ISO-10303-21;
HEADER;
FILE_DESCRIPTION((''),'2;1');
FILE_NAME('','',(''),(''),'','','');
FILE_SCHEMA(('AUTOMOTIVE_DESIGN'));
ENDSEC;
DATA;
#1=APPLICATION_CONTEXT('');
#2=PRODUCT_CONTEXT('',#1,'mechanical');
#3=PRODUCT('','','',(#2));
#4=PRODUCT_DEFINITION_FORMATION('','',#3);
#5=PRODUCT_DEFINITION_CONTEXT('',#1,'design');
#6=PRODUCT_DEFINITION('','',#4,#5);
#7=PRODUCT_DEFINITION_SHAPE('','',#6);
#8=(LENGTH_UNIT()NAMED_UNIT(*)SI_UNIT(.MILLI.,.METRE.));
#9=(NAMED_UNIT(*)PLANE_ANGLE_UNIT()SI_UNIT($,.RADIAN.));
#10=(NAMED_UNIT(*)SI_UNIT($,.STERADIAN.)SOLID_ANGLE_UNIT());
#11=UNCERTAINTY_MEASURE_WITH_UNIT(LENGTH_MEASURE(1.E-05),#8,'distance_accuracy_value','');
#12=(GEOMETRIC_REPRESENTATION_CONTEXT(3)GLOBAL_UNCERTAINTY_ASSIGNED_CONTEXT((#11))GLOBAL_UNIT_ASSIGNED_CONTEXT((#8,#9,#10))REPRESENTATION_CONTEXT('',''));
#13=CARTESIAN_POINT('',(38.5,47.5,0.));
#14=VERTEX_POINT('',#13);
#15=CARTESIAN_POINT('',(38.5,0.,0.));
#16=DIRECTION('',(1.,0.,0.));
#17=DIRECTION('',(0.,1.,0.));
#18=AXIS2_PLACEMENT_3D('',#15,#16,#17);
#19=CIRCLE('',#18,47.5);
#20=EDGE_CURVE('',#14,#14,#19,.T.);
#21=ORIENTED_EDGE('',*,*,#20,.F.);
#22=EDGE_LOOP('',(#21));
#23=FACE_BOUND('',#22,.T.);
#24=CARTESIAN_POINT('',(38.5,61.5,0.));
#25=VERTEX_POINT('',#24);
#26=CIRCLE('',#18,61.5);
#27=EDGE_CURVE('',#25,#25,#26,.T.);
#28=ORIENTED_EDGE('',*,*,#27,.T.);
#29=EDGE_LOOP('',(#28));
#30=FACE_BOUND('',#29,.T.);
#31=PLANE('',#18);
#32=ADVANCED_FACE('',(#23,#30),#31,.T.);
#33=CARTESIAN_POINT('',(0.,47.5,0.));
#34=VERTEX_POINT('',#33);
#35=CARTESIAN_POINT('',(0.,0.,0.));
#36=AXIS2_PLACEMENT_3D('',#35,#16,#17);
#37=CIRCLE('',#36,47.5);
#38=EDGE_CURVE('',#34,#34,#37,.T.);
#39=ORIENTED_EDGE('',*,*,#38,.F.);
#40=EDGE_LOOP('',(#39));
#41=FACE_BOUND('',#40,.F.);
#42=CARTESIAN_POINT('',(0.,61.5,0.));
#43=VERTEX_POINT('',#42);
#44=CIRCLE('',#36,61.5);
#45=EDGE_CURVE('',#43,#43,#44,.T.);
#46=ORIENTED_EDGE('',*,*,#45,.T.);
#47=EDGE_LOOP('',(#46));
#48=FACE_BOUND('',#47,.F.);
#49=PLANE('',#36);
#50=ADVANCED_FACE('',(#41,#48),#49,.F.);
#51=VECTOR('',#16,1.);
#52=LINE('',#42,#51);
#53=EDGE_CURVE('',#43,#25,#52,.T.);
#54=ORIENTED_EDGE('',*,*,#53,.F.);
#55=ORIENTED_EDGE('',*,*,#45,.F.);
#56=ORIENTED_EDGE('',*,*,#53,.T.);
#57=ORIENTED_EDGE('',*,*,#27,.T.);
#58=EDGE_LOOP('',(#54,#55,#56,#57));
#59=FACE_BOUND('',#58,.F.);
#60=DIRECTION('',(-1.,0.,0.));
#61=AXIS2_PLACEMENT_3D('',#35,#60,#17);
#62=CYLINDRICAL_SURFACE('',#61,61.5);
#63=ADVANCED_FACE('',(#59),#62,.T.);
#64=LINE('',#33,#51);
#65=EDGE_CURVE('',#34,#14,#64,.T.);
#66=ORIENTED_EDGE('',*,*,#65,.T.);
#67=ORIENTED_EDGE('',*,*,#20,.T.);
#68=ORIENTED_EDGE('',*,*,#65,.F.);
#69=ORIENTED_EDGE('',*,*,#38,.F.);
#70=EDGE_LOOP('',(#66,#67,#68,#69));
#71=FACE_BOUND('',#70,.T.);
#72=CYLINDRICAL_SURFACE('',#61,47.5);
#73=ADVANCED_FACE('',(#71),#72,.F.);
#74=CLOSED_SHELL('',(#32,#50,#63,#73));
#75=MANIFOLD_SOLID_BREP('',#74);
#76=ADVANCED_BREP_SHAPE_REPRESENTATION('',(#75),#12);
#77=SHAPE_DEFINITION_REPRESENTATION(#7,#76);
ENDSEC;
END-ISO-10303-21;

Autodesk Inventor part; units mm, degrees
ref_plane "YZ Plane" through (0, 0, 0) normal (1, 0, 0) x (0, 1, 0)
ref_plane "XZ Plane" through (0, 0, 0) normal (0, 1, 0) x (-1, 0, 0)
ref_plane "XY Plane" through (0, 0, 0) normal (0, 0, 1) x (1, 0, 0)
sketch "Sketch1" plane through (0, 0, 0) normal (1, 0, 0) x (0, 1, 0)
  circle A0 centre (0, 0) radius 61.5
  circle A1 centre (0, 0) radius 47.5
  dimension "d0" = 123
  dimension "d3" = 14
extrude "Extrusion1" add sketch "Sketch1" along normal blind 38.5
properties part number "Wheel_rubber" material "Rubber"
